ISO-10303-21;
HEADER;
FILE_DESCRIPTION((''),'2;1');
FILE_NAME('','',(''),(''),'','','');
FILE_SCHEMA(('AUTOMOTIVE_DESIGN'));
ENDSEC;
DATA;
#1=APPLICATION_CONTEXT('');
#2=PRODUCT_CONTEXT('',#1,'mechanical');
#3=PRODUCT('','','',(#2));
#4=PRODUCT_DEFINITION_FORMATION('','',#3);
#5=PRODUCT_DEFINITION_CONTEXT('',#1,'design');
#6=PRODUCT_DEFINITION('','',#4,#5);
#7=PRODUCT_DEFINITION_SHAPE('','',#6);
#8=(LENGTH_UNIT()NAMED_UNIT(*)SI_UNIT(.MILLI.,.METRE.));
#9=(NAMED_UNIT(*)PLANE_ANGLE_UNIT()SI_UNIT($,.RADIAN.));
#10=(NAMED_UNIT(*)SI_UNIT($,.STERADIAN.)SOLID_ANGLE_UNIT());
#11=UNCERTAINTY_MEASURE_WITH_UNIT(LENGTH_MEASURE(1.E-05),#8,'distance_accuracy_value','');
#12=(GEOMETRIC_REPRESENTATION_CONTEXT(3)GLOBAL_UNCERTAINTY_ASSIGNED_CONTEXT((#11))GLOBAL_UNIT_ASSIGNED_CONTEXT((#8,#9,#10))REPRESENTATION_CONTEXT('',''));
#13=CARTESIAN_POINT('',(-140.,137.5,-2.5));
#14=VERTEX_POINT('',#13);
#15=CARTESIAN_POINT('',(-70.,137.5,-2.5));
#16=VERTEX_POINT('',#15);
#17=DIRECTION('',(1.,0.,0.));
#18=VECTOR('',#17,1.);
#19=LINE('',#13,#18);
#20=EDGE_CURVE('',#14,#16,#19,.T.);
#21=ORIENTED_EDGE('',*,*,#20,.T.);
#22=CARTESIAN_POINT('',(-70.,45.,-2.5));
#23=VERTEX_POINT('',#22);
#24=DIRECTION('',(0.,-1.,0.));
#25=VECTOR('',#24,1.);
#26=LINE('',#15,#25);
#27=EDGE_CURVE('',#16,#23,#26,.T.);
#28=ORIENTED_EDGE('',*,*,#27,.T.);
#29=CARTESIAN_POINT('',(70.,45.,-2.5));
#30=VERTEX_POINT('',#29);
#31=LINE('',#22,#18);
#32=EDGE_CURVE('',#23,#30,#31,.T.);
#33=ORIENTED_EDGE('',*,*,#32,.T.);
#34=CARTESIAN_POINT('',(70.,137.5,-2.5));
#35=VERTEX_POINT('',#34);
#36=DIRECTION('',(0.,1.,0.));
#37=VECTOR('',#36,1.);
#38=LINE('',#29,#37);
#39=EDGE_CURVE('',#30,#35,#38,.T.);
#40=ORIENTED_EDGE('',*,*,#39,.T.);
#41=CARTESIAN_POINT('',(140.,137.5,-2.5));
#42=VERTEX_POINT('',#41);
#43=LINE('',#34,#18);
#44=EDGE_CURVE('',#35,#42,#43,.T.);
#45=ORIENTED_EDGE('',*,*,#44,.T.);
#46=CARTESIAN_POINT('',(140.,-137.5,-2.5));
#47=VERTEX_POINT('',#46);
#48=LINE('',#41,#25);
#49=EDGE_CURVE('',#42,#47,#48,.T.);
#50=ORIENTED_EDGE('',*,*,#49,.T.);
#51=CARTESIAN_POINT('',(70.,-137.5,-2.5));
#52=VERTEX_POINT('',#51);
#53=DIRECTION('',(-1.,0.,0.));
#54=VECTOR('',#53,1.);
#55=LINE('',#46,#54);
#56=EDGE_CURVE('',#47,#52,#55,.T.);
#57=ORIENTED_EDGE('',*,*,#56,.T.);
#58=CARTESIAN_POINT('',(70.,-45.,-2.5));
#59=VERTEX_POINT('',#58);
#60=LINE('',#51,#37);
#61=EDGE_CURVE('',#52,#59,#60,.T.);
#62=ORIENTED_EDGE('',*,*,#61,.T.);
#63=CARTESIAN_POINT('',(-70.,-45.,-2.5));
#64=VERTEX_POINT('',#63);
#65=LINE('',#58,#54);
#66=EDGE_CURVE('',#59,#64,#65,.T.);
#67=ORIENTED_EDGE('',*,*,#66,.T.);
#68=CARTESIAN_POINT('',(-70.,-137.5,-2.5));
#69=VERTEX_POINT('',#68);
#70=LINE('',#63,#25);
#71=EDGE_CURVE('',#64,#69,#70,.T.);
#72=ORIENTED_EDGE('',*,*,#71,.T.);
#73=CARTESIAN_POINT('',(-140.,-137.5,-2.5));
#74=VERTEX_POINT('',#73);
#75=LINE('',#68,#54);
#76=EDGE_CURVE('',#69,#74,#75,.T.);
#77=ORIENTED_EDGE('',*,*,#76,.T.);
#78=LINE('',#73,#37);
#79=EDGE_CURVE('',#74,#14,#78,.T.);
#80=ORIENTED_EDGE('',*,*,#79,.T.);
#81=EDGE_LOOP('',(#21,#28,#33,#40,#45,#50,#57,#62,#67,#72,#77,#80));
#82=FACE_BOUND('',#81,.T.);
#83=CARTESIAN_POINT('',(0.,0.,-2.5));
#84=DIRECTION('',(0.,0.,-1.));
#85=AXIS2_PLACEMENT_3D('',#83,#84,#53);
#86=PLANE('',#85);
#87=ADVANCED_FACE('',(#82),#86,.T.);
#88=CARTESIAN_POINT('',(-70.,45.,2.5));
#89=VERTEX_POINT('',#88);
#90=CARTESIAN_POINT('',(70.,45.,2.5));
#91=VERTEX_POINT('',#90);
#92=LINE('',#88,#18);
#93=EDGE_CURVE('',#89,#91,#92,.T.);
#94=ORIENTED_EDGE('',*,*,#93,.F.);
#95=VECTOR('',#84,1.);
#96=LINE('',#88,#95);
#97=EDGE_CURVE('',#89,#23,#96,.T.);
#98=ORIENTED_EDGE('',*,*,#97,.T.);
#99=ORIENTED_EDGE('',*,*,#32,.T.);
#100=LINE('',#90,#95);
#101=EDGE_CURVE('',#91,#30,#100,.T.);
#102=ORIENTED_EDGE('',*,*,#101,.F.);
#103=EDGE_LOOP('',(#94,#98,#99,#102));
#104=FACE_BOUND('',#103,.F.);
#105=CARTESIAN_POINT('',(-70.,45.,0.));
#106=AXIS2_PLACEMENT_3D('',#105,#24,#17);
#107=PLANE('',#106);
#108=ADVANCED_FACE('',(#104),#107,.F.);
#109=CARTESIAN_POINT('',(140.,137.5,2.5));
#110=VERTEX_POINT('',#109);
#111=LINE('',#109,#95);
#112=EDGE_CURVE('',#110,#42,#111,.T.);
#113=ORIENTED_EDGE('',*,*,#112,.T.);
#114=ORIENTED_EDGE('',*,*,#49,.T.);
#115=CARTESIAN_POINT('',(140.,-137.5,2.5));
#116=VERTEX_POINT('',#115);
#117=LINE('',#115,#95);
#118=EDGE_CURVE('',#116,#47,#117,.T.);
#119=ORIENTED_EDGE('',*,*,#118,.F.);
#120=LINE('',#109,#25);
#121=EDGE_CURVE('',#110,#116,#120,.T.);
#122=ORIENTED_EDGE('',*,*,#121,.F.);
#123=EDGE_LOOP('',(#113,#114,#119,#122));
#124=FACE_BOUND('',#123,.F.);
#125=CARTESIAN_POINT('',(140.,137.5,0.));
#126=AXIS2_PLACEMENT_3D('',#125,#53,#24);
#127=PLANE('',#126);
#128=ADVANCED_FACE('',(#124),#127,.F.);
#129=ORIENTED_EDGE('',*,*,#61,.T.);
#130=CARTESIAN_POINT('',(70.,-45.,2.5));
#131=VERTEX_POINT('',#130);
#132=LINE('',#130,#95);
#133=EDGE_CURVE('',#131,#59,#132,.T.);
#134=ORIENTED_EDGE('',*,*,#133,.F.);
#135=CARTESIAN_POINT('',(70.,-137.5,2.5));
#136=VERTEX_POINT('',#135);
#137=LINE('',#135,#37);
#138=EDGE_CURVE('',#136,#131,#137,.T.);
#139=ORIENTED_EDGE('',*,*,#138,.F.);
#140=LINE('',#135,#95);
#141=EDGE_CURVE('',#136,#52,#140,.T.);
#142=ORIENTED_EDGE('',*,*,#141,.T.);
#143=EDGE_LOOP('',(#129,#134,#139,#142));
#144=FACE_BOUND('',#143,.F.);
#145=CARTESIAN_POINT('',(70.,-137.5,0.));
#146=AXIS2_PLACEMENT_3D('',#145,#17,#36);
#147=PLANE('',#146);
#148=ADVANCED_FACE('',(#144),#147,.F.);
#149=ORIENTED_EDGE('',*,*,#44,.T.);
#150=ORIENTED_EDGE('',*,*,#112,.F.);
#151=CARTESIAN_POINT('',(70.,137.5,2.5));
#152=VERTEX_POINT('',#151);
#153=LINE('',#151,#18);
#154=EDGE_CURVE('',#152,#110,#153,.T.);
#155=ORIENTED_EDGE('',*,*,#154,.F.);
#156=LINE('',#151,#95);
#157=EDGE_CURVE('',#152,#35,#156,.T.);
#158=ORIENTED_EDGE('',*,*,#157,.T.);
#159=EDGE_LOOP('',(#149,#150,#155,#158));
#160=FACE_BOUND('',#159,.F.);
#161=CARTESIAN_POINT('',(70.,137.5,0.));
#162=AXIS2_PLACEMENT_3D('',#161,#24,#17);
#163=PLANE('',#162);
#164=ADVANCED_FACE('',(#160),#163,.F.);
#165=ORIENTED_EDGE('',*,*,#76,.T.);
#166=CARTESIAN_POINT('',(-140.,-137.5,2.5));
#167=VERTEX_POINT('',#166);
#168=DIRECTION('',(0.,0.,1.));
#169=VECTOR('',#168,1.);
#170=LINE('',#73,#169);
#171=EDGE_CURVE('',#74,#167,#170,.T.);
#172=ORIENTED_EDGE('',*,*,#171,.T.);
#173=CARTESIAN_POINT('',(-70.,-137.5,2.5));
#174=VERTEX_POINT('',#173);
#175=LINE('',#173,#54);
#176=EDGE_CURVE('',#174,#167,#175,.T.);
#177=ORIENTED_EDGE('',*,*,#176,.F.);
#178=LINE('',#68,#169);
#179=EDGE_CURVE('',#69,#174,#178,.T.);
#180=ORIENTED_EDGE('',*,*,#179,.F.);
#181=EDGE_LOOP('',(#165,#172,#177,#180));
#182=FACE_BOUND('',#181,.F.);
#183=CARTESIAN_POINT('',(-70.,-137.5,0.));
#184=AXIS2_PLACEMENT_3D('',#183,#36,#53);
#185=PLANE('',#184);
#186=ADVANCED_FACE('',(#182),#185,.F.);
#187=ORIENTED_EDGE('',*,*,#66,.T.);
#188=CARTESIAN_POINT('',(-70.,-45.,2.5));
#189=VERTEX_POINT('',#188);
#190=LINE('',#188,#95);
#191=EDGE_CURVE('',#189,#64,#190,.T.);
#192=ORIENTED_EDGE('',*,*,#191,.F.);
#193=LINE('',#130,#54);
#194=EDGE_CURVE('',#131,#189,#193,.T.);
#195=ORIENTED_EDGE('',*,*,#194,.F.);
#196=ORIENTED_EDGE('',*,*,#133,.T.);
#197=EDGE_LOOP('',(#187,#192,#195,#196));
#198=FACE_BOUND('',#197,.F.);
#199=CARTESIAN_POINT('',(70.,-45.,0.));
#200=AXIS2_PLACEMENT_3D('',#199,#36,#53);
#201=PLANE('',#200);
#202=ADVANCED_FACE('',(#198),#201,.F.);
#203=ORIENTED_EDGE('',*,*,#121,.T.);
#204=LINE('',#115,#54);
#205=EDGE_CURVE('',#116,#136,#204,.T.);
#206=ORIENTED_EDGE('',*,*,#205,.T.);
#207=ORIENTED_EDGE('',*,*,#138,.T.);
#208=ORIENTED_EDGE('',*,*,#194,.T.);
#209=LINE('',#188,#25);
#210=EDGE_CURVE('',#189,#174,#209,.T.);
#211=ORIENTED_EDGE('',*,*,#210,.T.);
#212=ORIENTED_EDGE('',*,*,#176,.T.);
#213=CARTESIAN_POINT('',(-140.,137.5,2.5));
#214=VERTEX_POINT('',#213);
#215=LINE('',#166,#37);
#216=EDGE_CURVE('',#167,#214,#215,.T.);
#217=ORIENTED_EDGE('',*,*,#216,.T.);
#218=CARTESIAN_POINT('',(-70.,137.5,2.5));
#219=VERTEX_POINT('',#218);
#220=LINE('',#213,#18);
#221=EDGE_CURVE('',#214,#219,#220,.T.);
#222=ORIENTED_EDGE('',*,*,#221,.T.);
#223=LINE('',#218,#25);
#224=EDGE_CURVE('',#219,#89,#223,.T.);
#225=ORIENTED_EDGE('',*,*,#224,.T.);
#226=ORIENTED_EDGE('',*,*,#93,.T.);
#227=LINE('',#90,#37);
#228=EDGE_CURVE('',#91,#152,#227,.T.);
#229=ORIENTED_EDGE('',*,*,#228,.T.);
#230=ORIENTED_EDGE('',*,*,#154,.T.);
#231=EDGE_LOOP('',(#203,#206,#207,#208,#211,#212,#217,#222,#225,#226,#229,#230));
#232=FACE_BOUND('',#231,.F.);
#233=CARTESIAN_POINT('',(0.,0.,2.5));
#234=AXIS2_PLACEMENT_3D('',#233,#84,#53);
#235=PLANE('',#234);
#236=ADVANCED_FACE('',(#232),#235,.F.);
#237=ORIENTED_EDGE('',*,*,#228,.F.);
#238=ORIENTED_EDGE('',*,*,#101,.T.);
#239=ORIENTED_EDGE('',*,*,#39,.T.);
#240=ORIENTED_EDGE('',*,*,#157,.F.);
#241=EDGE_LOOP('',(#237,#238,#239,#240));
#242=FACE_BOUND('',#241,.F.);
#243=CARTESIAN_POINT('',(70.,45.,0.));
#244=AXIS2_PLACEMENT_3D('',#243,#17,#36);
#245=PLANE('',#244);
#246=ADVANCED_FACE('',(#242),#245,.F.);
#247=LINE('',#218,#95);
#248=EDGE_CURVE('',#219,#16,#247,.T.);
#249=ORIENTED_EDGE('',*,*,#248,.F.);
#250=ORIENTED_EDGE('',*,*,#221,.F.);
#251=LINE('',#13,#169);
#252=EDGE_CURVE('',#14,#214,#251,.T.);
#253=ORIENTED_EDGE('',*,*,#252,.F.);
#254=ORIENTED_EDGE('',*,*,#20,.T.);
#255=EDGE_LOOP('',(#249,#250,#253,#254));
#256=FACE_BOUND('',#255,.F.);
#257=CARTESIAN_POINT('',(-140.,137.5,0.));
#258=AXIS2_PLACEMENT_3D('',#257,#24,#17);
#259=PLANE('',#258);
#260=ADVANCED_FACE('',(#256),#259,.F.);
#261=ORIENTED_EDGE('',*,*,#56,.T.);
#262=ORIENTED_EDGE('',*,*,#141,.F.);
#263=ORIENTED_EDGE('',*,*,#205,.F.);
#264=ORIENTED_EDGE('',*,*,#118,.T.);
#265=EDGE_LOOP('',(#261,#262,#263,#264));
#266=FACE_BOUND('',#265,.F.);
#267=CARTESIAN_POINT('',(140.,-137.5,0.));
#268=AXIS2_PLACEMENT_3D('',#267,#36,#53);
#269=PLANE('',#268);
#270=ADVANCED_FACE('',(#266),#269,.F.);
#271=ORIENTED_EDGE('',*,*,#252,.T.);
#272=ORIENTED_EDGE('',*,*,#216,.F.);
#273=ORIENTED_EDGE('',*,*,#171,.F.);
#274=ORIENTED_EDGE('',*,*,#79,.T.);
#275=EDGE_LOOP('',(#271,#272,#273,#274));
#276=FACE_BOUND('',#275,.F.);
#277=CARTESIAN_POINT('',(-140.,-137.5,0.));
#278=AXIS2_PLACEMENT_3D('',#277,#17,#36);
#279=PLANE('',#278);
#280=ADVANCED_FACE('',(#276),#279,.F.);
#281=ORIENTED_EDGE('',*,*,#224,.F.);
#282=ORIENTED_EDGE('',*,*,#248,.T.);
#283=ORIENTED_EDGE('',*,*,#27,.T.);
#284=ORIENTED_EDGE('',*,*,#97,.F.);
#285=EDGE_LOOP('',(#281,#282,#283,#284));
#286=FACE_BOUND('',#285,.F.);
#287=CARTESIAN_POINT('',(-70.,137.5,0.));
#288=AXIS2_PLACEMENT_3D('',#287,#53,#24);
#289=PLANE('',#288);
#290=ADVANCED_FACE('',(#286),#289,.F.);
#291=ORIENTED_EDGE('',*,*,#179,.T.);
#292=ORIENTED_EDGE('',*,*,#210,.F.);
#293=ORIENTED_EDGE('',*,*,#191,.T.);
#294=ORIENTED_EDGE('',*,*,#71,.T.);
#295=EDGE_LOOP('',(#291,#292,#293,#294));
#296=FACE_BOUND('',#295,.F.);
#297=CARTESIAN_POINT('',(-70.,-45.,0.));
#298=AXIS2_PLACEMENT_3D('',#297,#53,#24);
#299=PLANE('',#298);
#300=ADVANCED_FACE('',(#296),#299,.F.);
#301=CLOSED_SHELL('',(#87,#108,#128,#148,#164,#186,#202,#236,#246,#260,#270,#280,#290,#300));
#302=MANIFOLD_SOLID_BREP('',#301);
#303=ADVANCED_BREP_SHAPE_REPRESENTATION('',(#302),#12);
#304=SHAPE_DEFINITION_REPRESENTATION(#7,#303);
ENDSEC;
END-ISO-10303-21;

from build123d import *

# Parameters (mm, degrees)
PAD_DEPTH = 2.5


with BuildPart() as part:
    # Sketch → Pad (new body, symmetric)
    with BuildSketch(Plane.XY):
        Polygon((-140, 137.5), (-70, 137.5), (-70, 45), (70, 45), (70, 137.5), (140, 137.5), (140, -137.5), (70, -137.5), (70, -45), (-70, -45), (-70, -137.5), (-140, -137.5), align=None)
    extrude(amount=PAD_DEPTH, both=True)


solid = part.part
